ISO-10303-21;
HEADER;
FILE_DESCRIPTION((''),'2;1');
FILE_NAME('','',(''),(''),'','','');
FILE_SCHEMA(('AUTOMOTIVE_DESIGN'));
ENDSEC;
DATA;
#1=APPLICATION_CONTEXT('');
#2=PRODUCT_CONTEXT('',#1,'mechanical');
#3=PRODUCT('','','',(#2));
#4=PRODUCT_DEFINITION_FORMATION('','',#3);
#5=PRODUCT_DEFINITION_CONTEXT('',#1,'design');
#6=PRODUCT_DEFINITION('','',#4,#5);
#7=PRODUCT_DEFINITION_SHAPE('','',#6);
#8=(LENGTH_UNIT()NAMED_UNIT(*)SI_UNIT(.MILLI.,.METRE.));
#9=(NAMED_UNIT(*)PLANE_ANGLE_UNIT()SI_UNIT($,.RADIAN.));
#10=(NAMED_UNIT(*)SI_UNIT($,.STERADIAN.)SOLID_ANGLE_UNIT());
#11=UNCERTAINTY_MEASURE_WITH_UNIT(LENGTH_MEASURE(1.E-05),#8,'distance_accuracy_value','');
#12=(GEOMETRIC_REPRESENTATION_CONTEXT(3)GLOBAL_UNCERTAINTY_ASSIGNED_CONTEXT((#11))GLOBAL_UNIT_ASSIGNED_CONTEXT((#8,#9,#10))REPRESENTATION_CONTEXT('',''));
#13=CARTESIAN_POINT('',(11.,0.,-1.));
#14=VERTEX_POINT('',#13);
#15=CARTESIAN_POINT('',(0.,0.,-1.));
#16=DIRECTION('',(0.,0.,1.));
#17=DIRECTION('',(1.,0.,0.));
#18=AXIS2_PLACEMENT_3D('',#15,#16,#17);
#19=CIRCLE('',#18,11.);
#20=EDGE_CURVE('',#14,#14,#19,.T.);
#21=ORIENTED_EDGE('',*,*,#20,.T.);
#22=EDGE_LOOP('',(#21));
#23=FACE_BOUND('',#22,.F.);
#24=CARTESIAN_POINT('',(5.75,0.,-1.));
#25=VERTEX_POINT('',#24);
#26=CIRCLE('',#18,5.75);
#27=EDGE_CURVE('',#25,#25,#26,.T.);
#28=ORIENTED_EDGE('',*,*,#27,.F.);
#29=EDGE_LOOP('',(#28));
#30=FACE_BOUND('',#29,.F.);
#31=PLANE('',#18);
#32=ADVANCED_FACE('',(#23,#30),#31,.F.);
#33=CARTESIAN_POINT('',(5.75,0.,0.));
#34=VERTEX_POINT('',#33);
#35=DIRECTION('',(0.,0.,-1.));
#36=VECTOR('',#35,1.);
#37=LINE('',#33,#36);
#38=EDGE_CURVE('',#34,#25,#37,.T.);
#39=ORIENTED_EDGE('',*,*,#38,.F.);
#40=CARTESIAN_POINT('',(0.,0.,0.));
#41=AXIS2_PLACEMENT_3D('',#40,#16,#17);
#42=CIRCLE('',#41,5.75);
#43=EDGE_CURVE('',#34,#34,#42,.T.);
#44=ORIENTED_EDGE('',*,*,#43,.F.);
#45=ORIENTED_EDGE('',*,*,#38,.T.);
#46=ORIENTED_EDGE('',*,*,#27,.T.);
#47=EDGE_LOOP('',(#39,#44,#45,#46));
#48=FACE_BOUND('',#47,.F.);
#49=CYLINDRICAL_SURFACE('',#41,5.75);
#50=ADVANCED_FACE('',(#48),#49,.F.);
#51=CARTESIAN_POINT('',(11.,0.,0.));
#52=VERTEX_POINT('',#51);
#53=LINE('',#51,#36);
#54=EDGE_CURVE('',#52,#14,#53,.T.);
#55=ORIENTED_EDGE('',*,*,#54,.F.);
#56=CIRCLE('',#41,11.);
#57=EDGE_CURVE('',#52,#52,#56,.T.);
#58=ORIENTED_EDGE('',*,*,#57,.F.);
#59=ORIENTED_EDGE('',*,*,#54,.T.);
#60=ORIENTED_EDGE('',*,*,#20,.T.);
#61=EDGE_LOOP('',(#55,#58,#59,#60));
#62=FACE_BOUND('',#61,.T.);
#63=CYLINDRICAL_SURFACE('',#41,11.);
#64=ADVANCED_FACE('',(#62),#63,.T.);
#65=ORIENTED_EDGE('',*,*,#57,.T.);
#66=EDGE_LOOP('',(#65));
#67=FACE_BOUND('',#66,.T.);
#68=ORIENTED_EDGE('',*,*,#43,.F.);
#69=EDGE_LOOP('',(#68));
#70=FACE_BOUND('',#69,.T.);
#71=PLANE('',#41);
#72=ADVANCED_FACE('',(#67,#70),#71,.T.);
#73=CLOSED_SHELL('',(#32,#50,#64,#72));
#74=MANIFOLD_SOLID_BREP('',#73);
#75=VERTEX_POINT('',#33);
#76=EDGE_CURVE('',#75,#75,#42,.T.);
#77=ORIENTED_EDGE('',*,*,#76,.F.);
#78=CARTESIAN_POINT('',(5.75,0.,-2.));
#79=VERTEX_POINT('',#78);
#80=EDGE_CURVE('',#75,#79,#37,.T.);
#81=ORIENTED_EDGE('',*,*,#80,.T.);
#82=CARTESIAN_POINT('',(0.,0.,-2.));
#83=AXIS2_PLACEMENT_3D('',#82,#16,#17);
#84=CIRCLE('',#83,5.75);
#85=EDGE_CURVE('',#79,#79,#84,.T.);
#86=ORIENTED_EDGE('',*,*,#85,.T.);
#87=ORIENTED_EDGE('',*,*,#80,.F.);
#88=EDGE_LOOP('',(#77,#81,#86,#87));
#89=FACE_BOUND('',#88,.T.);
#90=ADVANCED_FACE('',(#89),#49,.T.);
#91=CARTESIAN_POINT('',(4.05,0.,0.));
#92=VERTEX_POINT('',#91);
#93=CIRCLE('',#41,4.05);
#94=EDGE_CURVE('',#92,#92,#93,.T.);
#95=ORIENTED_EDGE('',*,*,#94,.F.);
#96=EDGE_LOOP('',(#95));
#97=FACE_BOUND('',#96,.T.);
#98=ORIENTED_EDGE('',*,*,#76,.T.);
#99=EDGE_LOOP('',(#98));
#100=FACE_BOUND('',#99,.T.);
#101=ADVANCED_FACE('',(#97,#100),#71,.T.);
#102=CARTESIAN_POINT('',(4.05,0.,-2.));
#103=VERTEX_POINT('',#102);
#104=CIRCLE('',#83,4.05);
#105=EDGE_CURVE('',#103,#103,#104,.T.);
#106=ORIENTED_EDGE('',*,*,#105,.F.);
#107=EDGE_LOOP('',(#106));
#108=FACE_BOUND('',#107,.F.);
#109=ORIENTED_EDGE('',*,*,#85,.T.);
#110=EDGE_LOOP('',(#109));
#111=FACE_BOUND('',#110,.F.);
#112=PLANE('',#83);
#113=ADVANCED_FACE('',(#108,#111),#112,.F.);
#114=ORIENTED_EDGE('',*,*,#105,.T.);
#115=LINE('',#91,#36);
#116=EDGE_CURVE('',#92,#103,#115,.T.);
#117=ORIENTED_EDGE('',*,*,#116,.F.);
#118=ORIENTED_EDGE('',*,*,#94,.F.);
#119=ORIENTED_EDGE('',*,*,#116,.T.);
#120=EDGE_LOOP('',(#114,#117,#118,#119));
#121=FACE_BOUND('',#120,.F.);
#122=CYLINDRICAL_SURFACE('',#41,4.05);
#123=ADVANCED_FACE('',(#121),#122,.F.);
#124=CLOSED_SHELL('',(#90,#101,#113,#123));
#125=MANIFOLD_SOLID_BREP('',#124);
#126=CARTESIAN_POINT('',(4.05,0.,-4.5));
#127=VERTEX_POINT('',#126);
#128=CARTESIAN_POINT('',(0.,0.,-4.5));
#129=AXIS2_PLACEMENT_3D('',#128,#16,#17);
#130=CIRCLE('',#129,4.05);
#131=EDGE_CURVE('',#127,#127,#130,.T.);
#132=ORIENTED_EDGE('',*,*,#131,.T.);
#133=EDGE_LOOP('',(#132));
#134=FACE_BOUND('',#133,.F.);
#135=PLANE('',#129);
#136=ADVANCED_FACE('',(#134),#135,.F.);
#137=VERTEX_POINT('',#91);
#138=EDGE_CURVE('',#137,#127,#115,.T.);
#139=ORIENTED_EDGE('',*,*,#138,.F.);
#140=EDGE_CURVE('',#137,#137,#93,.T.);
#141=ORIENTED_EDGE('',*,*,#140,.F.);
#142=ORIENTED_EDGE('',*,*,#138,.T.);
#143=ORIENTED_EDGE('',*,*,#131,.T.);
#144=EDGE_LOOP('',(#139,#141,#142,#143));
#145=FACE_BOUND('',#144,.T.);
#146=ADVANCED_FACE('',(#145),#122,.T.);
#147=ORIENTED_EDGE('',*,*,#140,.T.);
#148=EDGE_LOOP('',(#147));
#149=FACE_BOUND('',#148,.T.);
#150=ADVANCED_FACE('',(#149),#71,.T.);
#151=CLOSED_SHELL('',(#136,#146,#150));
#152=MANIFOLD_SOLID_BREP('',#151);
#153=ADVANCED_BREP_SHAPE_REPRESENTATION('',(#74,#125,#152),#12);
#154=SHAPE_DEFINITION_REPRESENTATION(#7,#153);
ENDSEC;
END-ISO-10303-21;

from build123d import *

# Parameters (mm, degrees)
F0_R     = 5.75
F0_R_2   = 4.05
F1_DEPTH = 2
F0_R_3   = 11
F2_DEPTH = 1
F3_DEPTH = 4.5


with BuildPart() as f1:
    # F0 (on Top) → F1 (new body)
    with BuildSketch(Plane.XY):
        Circle(F0_R)
        Circle(F0_R_2, mode=Mode.SUBTRACT)
    extrude(amount=-F1_DEPTH)


with BuildPart() as f2:
    # F0 (on Top) → F2 (new body)
    with BuildSketch(Plane.XY):
        Circle(F0_R_3)
        Circle(F0_R, mode=Mode.SUBTRACT)
    extrude(amount=-F2_DEPTH)


with BuildPart() as f3:
    # F0 (on Top) → F3 (new body)
    with BuildSketch(Plane.XY):
        Circle(F0_R_2)
    extrude(amount=-F3_DEPTH)


solid = Compound([f1.part, f2.part, f3.part])
